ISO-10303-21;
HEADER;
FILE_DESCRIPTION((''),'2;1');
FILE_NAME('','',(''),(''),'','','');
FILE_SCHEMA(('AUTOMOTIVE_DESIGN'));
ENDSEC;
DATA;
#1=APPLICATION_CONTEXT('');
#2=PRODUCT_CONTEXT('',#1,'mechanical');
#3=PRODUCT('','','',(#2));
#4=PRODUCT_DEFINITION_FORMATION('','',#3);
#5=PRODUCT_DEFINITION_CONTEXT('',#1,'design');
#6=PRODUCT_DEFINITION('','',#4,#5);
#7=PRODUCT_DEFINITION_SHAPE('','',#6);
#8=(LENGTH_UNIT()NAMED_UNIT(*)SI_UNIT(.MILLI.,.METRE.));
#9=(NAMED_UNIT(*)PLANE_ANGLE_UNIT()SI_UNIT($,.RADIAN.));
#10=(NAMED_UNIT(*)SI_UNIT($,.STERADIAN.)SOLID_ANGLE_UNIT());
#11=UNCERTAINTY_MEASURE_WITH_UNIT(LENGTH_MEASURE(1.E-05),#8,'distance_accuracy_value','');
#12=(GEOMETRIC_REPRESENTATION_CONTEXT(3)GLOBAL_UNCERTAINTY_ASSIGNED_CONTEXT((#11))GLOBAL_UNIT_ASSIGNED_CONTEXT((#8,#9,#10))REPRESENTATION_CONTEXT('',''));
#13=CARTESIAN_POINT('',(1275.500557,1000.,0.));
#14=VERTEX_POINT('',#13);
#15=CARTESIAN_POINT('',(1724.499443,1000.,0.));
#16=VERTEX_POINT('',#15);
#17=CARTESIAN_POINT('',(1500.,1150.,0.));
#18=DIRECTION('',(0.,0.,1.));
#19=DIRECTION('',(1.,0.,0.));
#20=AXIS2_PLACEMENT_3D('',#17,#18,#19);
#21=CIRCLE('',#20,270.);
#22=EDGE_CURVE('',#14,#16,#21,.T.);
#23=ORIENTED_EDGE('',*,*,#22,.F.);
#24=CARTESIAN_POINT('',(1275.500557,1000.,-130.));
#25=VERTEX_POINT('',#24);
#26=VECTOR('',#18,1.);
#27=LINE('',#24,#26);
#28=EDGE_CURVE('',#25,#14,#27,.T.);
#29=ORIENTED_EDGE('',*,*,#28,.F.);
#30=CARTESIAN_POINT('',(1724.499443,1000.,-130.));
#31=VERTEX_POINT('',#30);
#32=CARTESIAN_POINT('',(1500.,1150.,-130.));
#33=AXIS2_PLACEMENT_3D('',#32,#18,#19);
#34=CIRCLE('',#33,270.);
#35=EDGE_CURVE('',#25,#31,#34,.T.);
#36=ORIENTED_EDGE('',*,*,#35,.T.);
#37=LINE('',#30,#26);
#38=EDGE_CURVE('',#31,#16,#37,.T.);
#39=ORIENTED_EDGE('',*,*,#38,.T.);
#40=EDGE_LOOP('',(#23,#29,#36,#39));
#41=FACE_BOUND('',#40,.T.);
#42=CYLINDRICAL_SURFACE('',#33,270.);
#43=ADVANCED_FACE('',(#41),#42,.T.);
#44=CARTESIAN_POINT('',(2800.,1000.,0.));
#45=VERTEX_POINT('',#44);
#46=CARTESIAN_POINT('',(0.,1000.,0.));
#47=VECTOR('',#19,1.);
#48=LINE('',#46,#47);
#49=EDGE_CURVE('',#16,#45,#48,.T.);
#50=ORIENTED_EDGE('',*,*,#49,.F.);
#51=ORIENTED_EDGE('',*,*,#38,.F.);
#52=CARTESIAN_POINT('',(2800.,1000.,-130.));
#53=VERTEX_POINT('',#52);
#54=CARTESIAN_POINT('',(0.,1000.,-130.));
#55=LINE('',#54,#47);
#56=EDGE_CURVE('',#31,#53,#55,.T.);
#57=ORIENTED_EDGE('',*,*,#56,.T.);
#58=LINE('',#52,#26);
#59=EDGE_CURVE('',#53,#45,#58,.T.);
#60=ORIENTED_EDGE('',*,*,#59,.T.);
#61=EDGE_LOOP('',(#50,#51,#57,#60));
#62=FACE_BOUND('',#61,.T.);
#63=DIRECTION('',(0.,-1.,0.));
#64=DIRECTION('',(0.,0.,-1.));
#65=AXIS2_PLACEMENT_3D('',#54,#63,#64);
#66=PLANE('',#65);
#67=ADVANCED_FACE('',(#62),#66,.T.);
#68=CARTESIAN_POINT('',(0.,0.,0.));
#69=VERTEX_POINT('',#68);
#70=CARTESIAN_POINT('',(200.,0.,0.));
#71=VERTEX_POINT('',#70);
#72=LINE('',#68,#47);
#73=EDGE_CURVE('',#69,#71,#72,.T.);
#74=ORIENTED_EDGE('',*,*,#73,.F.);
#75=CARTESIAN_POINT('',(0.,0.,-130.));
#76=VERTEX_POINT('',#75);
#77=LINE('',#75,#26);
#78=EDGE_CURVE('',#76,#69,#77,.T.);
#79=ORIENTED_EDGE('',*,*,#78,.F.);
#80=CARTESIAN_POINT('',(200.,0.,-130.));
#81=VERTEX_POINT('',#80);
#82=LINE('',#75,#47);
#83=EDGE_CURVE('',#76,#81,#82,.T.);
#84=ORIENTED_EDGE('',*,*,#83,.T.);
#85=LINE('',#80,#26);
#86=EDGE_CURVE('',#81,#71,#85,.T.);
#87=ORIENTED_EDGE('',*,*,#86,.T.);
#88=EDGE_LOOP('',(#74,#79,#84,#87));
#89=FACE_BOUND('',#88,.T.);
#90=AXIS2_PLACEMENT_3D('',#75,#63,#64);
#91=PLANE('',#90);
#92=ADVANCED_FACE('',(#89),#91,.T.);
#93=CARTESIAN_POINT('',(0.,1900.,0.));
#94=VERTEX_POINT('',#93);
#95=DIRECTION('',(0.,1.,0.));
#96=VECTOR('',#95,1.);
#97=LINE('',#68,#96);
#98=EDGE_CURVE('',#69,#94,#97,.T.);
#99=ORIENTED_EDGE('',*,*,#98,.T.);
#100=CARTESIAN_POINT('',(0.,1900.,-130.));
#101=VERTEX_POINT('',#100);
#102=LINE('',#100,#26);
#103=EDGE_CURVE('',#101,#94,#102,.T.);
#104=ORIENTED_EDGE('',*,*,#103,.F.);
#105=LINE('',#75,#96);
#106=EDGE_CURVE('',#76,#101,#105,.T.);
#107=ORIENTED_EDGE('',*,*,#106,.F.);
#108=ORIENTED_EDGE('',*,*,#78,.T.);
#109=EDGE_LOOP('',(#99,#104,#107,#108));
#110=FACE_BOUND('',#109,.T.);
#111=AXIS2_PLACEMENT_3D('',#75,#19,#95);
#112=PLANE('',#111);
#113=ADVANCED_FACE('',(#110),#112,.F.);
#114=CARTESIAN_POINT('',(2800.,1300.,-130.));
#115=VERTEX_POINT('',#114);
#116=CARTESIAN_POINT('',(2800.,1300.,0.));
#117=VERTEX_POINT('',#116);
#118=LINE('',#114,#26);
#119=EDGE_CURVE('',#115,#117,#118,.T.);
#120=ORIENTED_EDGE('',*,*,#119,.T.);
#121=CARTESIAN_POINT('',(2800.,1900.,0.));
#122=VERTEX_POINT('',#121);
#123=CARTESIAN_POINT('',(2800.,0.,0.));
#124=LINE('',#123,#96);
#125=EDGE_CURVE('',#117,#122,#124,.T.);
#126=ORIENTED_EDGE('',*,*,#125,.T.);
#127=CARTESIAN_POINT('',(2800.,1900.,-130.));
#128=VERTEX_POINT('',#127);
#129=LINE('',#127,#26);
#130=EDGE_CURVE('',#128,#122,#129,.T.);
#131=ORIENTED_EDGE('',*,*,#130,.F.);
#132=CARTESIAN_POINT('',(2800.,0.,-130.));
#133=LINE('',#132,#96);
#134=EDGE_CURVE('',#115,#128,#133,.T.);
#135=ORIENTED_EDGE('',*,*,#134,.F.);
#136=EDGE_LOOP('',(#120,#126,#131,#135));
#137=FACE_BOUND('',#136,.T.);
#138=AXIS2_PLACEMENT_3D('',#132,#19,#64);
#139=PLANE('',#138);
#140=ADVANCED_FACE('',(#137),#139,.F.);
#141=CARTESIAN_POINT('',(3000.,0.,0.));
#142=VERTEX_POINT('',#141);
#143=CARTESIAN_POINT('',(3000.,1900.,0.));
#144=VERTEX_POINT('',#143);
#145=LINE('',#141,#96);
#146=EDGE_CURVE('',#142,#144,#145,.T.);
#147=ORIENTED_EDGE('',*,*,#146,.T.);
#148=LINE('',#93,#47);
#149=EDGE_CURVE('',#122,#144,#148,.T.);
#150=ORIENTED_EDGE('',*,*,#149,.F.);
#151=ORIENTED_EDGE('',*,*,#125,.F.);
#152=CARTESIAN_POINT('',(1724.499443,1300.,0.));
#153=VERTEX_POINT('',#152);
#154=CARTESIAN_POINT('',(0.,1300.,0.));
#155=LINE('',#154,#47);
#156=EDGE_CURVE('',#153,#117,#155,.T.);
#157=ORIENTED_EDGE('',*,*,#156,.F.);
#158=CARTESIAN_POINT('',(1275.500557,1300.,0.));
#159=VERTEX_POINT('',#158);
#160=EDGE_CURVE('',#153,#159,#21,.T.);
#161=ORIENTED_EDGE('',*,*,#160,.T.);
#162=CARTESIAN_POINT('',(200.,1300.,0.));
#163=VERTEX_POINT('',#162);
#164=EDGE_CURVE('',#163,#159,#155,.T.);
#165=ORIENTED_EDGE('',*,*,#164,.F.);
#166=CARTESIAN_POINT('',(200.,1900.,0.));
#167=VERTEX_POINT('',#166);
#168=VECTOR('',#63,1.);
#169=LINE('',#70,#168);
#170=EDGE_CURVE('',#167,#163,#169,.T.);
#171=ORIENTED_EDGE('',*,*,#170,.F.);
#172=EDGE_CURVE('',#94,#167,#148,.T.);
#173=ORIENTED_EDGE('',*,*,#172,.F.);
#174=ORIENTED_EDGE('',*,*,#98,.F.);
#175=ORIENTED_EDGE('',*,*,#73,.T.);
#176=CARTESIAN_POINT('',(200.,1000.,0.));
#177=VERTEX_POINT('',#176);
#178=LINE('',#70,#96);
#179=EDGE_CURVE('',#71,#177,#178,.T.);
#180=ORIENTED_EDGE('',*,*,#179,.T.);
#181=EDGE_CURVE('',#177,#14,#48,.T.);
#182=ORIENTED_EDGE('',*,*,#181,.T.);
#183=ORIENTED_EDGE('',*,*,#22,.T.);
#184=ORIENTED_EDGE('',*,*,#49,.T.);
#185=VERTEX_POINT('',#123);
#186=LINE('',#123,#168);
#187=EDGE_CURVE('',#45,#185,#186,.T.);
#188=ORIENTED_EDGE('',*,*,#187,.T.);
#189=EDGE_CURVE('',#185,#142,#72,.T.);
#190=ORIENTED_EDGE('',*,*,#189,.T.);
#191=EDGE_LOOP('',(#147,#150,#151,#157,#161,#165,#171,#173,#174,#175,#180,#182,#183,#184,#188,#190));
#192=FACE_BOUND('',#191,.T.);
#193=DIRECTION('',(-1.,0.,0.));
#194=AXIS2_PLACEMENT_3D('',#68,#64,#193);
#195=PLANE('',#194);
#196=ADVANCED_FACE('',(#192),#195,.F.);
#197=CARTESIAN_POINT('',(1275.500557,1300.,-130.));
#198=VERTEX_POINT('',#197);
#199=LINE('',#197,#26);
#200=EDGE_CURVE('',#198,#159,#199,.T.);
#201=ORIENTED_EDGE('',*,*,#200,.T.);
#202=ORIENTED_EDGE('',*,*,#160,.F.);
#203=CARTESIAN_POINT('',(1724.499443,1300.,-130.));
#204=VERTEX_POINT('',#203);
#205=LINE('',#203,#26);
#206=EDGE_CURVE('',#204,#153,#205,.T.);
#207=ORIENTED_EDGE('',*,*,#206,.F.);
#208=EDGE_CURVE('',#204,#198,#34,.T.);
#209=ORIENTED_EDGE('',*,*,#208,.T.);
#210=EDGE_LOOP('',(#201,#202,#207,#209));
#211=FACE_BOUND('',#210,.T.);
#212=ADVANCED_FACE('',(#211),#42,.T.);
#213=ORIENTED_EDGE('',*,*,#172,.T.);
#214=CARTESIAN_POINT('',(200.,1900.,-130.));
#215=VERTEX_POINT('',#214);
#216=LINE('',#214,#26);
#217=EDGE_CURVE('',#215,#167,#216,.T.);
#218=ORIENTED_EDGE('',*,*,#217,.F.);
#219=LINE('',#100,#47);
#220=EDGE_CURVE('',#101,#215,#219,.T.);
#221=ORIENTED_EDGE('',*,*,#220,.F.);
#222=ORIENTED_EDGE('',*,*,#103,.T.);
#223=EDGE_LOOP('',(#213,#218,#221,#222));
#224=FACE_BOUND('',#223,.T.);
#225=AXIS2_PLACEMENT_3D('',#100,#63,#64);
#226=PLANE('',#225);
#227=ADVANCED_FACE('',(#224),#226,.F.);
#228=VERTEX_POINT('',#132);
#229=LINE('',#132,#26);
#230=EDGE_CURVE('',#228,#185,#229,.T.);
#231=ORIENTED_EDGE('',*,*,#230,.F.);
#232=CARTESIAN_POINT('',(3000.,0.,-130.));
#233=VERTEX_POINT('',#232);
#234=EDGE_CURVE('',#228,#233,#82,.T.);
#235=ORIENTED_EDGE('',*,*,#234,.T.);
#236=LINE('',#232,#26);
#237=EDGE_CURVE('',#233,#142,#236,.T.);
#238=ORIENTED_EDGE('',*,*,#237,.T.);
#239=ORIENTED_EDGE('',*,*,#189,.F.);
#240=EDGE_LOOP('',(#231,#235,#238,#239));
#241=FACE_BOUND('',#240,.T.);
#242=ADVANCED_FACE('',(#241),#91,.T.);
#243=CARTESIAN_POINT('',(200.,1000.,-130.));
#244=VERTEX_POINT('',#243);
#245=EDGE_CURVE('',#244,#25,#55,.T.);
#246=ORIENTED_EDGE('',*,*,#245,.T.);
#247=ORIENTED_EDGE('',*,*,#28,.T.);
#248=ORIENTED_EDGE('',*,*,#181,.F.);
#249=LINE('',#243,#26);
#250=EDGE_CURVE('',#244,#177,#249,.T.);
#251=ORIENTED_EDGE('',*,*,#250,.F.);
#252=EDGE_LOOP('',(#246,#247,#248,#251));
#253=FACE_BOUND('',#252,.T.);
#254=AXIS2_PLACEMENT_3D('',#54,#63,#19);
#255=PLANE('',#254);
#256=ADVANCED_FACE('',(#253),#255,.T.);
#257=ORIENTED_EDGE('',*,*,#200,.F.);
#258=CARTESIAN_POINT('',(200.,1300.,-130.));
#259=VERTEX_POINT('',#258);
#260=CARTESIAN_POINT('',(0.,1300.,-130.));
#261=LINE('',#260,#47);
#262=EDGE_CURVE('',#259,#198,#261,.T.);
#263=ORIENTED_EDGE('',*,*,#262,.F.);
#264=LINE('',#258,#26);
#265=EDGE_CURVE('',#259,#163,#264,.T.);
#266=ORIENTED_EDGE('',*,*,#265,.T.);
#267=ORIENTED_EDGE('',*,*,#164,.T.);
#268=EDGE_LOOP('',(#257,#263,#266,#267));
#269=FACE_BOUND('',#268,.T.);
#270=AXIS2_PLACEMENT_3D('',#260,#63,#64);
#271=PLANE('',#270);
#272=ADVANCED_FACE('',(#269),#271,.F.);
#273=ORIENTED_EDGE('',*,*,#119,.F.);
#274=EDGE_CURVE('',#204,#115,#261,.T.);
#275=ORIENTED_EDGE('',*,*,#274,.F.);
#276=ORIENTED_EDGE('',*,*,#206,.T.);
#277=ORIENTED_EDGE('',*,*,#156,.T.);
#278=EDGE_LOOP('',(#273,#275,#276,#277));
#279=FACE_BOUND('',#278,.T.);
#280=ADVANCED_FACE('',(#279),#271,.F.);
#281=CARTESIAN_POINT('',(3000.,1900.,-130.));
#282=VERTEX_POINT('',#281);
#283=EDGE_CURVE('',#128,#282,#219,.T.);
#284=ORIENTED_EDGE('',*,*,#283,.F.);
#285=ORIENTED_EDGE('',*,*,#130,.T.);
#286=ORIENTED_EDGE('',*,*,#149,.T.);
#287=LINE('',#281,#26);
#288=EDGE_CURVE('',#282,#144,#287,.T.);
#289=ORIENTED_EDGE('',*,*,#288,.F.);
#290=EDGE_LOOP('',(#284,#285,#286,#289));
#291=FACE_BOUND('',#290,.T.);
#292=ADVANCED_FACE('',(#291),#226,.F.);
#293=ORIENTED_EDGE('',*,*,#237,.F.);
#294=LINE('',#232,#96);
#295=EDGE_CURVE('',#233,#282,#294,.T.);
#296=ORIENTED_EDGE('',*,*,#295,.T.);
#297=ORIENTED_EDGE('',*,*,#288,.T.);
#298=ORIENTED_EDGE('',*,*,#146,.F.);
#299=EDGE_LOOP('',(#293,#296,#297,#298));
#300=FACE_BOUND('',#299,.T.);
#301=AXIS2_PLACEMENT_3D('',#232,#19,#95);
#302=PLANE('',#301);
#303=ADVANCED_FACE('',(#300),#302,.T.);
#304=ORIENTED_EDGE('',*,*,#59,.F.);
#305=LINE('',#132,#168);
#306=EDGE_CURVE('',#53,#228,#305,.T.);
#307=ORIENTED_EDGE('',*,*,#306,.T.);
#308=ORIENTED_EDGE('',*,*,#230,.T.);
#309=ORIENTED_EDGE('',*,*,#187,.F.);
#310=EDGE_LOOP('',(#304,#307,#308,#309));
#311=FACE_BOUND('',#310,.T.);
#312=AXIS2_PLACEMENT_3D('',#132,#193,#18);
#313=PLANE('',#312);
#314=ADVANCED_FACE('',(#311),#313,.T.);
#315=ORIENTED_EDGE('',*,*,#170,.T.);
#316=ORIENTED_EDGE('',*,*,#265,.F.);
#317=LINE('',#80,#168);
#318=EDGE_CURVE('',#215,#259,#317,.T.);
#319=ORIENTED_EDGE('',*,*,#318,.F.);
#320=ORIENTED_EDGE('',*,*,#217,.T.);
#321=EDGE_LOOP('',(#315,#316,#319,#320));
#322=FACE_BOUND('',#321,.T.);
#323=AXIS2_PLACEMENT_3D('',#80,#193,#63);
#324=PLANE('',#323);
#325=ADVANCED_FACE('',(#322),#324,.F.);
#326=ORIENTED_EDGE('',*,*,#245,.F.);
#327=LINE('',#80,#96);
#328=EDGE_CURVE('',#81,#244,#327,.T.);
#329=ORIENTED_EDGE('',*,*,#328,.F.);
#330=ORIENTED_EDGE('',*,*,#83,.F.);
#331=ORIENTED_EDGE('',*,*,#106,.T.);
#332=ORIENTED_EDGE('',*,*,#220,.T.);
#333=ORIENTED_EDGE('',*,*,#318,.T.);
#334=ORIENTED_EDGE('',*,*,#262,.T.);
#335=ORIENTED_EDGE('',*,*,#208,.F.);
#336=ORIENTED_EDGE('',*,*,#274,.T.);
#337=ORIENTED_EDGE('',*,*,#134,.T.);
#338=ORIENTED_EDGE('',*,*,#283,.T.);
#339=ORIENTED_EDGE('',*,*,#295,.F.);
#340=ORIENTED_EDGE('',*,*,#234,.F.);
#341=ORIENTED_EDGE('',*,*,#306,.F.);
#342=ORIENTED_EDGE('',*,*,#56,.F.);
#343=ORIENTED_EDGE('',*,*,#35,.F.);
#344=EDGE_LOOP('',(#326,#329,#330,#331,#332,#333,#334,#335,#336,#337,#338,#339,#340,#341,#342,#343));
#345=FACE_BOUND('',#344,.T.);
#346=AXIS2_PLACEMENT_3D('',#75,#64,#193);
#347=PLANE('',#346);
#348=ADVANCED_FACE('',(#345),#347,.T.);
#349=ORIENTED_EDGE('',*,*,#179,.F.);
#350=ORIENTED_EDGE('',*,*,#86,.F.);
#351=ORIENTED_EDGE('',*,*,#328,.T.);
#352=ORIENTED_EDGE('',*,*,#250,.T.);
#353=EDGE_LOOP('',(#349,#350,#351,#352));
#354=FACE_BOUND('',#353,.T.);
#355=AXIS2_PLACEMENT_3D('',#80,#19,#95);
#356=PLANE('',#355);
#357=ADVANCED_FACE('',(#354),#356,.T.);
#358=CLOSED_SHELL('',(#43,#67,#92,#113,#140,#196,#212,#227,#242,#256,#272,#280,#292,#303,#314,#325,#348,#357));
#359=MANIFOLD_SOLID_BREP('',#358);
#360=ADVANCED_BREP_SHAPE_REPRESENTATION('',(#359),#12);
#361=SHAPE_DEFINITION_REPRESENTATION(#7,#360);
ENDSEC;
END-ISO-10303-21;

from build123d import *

# Parameters (mm, degrees)
ESQUISSE1_W             = 3000
ESQUISSE1_H             = 1900
BOSS_EXTRU_1_DEPTH      = 130
ENL_V_MAT_EXTRU_1_DEPTH = 130


with BuildPart() as part:
    # Esquisse1 → Boss.-Extru.1 (new body)
    with BuildSketch(Plane.XY):
        with Locations((1500, 950)):
            Rectangle(ESQUISSE1_W, ESQUISSE1_H)
    extrude(amount=-BOSS_EXTRU_1_DEPTH)

    # Esquisse4 → Enlèv. mat.-Extru.1 (cut)
    with BuildSketch(Plane.XY):
        with BuildLine():
            Line((200, 1300), (1275.500556794, 1300))
            ThreePointArc((1275.500556794, 1300), (1500, 1420), (1724.499443206, 1300))
            Line((1724.499443206, 1300), (2800, 1300))
            Line((2800, 1300), (2800, 1900))
            Line((2800, 1900), (200, 1900))
            Line((200, 1900), (200, 1300))
        make_face()
        with BuildLine():
            Line((200, 1000), (200, 0))
            Line((200, 0), (2800, 0))
            Line((2800, 0), (2800, 1000))
            Line((2800, 1000), (1724.499443206, 1000))
            ThreePointArc((1724.499443206, 1000), (1500, 880), (1275.500556794, 1000))
            Line((1275.500556794, 1000), (200, 1000))
        make_face()
    extrude(amount=-ENL_V_MAT_EXTRU_1_DEPTH, mode=Mode.SUBTRACT)


solid = part.part
